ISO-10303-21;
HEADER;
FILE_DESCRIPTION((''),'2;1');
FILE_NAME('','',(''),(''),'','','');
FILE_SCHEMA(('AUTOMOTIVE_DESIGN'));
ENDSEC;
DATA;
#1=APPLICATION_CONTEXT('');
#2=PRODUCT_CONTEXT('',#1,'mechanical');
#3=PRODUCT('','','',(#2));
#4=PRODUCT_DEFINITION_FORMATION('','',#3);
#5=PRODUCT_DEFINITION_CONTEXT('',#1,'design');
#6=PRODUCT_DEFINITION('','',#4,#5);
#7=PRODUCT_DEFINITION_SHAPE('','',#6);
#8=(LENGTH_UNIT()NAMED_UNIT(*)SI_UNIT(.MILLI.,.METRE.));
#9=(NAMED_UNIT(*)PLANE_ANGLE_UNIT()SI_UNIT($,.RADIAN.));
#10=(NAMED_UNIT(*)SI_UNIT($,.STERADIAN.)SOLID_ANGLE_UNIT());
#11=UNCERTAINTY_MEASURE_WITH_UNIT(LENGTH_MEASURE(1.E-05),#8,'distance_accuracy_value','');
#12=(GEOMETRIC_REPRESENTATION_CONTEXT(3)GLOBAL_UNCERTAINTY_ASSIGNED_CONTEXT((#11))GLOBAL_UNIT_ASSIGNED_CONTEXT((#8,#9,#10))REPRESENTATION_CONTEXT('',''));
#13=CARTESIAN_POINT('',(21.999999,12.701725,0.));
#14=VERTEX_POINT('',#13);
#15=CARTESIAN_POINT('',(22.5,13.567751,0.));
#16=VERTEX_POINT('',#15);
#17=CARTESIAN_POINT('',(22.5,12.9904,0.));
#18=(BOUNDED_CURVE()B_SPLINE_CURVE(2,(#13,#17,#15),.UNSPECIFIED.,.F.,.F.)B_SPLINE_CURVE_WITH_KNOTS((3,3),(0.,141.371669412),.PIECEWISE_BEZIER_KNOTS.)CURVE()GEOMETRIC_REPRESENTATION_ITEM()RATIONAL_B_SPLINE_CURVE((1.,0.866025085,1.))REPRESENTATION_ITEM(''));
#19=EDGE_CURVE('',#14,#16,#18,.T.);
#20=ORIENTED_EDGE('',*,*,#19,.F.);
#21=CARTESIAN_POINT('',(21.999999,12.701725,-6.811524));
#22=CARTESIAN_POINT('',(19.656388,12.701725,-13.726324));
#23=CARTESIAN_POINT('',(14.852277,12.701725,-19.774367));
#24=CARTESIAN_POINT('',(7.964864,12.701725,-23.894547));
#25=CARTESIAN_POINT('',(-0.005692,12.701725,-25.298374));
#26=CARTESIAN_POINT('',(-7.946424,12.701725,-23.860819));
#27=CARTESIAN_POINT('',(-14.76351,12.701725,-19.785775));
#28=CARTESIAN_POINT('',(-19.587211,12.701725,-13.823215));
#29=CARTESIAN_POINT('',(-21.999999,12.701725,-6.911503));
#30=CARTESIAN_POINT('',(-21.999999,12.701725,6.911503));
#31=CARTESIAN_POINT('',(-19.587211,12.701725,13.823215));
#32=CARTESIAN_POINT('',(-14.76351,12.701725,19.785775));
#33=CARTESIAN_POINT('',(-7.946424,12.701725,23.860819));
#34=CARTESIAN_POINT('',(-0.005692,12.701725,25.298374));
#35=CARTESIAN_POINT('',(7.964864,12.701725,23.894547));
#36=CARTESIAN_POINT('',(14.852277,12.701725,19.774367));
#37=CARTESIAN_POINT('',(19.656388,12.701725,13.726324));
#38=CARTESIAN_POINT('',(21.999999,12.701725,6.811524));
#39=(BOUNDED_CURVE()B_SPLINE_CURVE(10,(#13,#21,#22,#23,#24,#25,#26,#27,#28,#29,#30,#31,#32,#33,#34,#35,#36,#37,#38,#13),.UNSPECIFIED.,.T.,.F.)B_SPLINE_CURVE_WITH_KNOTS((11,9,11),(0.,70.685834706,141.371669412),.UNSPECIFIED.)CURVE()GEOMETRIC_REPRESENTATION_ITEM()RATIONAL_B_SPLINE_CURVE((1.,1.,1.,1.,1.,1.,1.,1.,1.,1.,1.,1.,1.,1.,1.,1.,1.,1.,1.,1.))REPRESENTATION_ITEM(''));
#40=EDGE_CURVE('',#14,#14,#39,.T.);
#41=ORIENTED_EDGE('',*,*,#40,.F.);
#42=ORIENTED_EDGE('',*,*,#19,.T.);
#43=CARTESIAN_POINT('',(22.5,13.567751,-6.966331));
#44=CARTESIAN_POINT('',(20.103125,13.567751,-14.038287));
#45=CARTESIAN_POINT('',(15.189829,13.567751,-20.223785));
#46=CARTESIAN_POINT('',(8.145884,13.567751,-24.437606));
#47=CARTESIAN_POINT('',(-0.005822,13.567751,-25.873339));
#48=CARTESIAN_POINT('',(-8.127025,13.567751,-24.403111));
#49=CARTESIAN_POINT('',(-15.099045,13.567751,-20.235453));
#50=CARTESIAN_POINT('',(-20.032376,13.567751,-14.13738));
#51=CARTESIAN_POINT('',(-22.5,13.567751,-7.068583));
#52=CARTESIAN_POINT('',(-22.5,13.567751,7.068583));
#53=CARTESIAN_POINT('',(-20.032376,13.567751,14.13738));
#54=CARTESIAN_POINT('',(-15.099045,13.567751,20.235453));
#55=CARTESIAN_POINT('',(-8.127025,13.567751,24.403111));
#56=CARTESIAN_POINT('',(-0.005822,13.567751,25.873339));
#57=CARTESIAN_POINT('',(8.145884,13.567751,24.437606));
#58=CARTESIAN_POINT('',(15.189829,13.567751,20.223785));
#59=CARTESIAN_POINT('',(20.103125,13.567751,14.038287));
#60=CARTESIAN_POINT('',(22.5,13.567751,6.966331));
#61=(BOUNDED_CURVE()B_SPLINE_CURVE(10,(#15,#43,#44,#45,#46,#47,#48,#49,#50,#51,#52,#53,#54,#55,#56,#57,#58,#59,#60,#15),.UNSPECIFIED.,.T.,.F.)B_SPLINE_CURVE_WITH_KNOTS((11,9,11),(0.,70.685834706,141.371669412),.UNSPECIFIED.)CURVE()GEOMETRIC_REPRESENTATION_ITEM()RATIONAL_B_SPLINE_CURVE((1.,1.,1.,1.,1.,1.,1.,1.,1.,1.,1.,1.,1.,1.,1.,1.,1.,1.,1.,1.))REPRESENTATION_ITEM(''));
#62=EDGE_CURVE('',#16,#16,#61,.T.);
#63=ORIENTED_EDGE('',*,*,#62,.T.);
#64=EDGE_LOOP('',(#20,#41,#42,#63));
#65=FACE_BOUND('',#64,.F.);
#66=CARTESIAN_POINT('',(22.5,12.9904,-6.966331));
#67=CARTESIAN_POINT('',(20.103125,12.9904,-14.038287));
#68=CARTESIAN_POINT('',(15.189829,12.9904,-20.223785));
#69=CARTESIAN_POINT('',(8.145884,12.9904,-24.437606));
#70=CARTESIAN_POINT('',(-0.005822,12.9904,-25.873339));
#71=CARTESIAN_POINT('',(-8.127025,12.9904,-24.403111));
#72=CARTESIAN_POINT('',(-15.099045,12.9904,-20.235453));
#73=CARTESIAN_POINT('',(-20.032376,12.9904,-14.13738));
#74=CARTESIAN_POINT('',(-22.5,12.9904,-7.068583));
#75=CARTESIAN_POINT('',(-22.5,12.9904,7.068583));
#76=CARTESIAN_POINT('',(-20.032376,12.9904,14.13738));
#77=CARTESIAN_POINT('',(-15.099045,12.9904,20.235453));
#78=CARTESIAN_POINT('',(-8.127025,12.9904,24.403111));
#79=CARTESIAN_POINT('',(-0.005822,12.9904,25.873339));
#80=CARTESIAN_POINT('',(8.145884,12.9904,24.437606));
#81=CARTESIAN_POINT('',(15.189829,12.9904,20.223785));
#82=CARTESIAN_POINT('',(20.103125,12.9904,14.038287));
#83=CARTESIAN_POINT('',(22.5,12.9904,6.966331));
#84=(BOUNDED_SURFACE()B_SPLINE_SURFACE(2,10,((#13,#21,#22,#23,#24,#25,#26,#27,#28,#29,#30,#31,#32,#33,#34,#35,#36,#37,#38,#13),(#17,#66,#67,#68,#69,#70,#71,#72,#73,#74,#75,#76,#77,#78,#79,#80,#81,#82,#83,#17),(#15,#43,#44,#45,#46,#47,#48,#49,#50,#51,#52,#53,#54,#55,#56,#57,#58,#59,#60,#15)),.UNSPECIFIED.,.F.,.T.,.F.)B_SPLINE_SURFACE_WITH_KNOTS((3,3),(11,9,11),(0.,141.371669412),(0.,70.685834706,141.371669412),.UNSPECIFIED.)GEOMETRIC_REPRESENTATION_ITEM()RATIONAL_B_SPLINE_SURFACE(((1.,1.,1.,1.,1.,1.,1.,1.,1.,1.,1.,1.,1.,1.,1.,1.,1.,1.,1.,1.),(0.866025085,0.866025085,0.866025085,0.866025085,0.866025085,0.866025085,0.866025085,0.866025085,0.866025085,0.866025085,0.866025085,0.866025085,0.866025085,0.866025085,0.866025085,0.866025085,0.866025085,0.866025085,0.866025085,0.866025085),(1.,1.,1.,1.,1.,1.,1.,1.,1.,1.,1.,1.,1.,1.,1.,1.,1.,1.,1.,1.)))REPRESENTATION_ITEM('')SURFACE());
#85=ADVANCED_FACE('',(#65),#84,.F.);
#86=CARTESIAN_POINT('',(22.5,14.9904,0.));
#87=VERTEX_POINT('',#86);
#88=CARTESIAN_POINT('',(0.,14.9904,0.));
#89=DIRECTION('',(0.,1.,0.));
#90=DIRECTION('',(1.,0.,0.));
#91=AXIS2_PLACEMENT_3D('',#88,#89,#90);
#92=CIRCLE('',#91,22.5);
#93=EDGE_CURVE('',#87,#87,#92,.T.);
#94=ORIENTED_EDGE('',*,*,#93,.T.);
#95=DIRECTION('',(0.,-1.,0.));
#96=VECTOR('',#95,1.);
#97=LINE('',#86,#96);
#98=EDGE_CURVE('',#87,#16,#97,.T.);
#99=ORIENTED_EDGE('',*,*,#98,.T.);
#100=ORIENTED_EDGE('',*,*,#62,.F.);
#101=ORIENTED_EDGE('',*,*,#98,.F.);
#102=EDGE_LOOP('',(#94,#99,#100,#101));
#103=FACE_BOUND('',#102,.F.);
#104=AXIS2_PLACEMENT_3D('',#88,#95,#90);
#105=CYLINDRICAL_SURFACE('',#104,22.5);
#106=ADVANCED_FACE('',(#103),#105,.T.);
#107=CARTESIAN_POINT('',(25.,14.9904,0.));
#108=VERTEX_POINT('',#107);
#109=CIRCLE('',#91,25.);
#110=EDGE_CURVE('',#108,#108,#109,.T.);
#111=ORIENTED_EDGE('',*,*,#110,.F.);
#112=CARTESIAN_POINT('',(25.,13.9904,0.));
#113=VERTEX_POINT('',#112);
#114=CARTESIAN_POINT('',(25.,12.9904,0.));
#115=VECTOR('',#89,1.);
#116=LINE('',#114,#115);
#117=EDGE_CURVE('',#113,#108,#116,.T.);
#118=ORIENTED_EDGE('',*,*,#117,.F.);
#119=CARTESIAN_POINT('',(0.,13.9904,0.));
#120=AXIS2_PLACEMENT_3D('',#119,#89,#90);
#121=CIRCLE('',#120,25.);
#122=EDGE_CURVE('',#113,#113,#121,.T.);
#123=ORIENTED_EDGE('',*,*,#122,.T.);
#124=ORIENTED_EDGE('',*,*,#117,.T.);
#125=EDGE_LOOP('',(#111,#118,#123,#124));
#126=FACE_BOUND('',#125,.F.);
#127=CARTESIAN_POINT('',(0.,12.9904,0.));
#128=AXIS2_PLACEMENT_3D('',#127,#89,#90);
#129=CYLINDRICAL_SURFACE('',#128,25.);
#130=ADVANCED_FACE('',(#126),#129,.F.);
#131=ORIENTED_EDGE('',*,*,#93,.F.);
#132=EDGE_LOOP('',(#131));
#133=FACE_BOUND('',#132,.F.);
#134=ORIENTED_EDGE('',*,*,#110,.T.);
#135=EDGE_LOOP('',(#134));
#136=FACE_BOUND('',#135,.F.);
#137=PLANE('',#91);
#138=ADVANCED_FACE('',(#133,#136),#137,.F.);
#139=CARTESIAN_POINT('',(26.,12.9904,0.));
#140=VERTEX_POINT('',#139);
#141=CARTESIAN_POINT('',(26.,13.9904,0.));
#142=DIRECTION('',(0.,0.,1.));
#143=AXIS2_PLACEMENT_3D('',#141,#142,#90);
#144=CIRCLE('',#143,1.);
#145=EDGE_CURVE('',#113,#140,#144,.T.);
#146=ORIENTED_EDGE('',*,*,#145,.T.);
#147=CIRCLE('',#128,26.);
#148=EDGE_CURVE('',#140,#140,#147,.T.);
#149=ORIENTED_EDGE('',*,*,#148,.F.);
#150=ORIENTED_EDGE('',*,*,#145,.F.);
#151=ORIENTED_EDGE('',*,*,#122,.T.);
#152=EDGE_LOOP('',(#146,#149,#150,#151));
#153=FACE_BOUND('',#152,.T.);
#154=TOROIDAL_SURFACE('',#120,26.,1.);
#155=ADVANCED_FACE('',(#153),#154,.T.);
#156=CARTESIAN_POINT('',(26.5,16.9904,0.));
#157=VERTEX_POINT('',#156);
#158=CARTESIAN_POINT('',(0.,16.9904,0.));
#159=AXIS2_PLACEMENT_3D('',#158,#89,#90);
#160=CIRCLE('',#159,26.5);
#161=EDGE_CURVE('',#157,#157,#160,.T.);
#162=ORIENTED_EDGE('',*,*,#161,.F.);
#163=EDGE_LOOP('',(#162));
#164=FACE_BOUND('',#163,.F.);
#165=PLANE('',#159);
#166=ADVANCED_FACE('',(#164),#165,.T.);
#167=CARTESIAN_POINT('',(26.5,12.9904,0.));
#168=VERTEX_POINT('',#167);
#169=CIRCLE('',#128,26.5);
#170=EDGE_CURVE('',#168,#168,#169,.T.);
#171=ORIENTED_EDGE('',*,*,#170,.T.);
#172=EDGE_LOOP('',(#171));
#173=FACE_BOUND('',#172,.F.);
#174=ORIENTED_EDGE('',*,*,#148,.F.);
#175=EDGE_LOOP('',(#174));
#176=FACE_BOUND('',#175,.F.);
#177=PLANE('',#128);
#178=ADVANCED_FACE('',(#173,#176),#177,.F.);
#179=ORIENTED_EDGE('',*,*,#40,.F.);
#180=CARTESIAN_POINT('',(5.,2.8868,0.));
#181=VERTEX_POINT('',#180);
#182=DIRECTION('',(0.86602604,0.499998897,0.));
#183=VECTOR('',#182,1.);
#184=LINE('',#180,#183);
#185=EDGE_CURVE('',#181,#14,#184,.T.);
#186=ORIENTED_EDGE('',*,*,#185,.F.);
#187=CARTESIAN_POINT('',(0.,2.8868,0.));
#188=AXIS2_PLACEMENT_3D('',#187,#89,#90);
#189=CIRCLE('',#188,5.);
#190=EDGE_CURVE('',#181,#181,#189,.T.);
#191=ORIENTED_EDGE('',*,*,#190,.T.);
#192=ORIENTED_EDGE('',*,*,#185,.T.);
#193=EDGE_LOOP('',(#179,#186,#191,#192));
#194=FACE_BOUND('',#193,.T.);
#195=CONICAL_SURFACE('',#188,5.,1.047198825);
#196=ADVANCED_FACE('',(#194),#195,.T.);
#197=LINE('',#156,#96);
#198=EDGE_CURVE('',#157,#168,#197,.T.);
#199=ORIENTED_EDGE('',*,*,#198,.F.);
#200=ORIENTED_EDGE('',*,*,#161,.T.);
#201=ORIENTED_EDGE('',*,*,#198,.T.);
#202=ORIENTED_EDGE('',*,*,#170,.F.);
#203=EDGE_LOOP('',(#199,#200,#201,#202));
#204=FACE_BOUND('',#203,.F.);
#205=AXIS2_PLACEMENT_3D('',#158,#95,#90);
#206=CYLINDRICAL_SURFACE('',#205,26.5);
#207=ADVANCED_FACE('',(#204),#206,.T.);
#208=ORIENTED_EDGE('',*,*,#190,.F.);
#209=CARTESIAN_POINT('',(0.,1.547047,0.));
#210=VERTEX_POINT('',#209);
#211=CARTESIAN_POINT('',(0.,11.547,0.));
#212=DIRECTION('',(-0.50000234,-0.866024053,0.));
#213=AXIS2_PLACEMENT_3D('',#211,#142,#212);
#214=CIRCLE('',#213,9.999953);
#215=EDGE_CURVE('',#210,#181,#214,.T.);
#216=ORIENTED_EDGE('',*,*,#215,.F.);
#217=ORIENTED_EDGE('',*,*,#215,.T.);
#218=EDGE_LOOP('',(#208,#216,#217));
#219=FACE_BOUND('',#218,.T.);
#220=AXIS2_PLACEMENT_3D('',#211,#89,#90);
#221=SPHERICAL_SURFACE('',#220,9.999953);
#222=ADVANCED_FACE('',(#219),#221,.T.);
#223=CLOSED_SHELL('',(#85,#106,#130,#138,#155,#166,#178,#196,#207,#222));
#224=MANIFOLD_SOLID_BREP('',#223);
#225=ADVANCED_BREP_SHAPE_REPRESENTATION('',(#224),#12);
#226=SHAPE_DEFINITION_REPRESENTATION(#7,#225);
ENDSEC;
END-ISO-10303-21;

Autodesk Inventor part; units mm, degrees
ref_plane "YZ Plane" through (0, 0, 0) normal (1, 0, 0) x (0, 1, 0)
ref_plane "XZ Plane" through (0, 0, 0) normal (0, 1, 0) x (-1, 0, 0)
ref_plane "XY Plane" through (0, 0, 0) normal (0, 0, 1) x (1, 0, 0)
sketch "スケッチ1" plane through (0, 0, 0) normal (0, 0, 1) x (1, 0, 0)
  line L0 (5, 2.8868) -> (22.5, 12.9904)
  line L1 (22.5, 12.9904) -> (-22.5, 12.9904)
  line L2 (-22.5, 12.9904) -> (-5, 2.8868)
  line L3 (-22.5, 12.9904) -> (-22.5, 14.9904)
  line L4 (-22.5, 14.9904) -> (-25, 14.9904)
  line L5 (-25, 14.9904) -> (-25, 12.9904)
  line L6 (-25, 12.9904) -> (-26.5, 12.9904)
  line L7 (-26.5, 12.9904) -> (-26.5, 16.9904)
  line L8 (-26.5, 16.9904) -> (26.5, 16.9904)
  line L9 (26.5, 16.9904) -> (26.5, 12.9904)
  line L10 (26.5, 12.9904) -> (25, 12.9904)
  line L11 (25, 12.9904) -> (25, 14.9904)
  line L12 (25, 14.9904) -> (22.5, 14.9904)
  line L13 (22.5, 14.9904) -> (22.5, 12.9904)
  line L14 (-22.5, 14.9904) -> (-22.5, 54.9904)
  line L15 (-22.5, 54.9904) -> (22.5, 54.9904)
  line L16 (22.5, 54.9904) -> (22.5, 14.9904)
  arc A0 (-5, 2.8868) -> (5, 2.8868) centre (0, 11.547) ccw
  line L17 (0, 0) -> (0, 54.9904)
  line L18 (-25, 12.9904) -> (-25, 4.9904)
  line L19 (-25, 4.9904) -> (-26.5, 4.9904)
  line L20 (-26.5, 4.9904) -> (-26.5, 12.9904)
  line L21 (25, 12.9904) -> (25, 4.9904)
  line L22 (25, 4.9904) -> (26.5, 4.9904)
  line L23 (26.5, 4.9904) -> (26.5, 12.9904)
  point P0 (0, 1.547)
  point P1 (0, 16.9904)
  dimension "d0" = 45
  dimension "d1" = 30
  dimension "d2" = 2.5
  dimension "d3" = 1.5
  dimension "d4" = 2
  dimension "d5" = 4
  dimension "d6" = 40
  dimension "d7" = 10
  dimension "d9" = 8
  dimension "d10" = 50
revolve "回転1" add sketch "スケッチ1" angle 360 about axis through (0, 0, 0) along (0, 1, 0) contours A0 L17 L1 L0 | L1 L17 L8 L16 L13 | L16 L8 L9 L10 L11 L12
fillet "フィレット1" radius 1 2 edges at (-25, 12.9904, 0) (-22.5, 12.9904, 0)
properties part number "COne_mirror"
